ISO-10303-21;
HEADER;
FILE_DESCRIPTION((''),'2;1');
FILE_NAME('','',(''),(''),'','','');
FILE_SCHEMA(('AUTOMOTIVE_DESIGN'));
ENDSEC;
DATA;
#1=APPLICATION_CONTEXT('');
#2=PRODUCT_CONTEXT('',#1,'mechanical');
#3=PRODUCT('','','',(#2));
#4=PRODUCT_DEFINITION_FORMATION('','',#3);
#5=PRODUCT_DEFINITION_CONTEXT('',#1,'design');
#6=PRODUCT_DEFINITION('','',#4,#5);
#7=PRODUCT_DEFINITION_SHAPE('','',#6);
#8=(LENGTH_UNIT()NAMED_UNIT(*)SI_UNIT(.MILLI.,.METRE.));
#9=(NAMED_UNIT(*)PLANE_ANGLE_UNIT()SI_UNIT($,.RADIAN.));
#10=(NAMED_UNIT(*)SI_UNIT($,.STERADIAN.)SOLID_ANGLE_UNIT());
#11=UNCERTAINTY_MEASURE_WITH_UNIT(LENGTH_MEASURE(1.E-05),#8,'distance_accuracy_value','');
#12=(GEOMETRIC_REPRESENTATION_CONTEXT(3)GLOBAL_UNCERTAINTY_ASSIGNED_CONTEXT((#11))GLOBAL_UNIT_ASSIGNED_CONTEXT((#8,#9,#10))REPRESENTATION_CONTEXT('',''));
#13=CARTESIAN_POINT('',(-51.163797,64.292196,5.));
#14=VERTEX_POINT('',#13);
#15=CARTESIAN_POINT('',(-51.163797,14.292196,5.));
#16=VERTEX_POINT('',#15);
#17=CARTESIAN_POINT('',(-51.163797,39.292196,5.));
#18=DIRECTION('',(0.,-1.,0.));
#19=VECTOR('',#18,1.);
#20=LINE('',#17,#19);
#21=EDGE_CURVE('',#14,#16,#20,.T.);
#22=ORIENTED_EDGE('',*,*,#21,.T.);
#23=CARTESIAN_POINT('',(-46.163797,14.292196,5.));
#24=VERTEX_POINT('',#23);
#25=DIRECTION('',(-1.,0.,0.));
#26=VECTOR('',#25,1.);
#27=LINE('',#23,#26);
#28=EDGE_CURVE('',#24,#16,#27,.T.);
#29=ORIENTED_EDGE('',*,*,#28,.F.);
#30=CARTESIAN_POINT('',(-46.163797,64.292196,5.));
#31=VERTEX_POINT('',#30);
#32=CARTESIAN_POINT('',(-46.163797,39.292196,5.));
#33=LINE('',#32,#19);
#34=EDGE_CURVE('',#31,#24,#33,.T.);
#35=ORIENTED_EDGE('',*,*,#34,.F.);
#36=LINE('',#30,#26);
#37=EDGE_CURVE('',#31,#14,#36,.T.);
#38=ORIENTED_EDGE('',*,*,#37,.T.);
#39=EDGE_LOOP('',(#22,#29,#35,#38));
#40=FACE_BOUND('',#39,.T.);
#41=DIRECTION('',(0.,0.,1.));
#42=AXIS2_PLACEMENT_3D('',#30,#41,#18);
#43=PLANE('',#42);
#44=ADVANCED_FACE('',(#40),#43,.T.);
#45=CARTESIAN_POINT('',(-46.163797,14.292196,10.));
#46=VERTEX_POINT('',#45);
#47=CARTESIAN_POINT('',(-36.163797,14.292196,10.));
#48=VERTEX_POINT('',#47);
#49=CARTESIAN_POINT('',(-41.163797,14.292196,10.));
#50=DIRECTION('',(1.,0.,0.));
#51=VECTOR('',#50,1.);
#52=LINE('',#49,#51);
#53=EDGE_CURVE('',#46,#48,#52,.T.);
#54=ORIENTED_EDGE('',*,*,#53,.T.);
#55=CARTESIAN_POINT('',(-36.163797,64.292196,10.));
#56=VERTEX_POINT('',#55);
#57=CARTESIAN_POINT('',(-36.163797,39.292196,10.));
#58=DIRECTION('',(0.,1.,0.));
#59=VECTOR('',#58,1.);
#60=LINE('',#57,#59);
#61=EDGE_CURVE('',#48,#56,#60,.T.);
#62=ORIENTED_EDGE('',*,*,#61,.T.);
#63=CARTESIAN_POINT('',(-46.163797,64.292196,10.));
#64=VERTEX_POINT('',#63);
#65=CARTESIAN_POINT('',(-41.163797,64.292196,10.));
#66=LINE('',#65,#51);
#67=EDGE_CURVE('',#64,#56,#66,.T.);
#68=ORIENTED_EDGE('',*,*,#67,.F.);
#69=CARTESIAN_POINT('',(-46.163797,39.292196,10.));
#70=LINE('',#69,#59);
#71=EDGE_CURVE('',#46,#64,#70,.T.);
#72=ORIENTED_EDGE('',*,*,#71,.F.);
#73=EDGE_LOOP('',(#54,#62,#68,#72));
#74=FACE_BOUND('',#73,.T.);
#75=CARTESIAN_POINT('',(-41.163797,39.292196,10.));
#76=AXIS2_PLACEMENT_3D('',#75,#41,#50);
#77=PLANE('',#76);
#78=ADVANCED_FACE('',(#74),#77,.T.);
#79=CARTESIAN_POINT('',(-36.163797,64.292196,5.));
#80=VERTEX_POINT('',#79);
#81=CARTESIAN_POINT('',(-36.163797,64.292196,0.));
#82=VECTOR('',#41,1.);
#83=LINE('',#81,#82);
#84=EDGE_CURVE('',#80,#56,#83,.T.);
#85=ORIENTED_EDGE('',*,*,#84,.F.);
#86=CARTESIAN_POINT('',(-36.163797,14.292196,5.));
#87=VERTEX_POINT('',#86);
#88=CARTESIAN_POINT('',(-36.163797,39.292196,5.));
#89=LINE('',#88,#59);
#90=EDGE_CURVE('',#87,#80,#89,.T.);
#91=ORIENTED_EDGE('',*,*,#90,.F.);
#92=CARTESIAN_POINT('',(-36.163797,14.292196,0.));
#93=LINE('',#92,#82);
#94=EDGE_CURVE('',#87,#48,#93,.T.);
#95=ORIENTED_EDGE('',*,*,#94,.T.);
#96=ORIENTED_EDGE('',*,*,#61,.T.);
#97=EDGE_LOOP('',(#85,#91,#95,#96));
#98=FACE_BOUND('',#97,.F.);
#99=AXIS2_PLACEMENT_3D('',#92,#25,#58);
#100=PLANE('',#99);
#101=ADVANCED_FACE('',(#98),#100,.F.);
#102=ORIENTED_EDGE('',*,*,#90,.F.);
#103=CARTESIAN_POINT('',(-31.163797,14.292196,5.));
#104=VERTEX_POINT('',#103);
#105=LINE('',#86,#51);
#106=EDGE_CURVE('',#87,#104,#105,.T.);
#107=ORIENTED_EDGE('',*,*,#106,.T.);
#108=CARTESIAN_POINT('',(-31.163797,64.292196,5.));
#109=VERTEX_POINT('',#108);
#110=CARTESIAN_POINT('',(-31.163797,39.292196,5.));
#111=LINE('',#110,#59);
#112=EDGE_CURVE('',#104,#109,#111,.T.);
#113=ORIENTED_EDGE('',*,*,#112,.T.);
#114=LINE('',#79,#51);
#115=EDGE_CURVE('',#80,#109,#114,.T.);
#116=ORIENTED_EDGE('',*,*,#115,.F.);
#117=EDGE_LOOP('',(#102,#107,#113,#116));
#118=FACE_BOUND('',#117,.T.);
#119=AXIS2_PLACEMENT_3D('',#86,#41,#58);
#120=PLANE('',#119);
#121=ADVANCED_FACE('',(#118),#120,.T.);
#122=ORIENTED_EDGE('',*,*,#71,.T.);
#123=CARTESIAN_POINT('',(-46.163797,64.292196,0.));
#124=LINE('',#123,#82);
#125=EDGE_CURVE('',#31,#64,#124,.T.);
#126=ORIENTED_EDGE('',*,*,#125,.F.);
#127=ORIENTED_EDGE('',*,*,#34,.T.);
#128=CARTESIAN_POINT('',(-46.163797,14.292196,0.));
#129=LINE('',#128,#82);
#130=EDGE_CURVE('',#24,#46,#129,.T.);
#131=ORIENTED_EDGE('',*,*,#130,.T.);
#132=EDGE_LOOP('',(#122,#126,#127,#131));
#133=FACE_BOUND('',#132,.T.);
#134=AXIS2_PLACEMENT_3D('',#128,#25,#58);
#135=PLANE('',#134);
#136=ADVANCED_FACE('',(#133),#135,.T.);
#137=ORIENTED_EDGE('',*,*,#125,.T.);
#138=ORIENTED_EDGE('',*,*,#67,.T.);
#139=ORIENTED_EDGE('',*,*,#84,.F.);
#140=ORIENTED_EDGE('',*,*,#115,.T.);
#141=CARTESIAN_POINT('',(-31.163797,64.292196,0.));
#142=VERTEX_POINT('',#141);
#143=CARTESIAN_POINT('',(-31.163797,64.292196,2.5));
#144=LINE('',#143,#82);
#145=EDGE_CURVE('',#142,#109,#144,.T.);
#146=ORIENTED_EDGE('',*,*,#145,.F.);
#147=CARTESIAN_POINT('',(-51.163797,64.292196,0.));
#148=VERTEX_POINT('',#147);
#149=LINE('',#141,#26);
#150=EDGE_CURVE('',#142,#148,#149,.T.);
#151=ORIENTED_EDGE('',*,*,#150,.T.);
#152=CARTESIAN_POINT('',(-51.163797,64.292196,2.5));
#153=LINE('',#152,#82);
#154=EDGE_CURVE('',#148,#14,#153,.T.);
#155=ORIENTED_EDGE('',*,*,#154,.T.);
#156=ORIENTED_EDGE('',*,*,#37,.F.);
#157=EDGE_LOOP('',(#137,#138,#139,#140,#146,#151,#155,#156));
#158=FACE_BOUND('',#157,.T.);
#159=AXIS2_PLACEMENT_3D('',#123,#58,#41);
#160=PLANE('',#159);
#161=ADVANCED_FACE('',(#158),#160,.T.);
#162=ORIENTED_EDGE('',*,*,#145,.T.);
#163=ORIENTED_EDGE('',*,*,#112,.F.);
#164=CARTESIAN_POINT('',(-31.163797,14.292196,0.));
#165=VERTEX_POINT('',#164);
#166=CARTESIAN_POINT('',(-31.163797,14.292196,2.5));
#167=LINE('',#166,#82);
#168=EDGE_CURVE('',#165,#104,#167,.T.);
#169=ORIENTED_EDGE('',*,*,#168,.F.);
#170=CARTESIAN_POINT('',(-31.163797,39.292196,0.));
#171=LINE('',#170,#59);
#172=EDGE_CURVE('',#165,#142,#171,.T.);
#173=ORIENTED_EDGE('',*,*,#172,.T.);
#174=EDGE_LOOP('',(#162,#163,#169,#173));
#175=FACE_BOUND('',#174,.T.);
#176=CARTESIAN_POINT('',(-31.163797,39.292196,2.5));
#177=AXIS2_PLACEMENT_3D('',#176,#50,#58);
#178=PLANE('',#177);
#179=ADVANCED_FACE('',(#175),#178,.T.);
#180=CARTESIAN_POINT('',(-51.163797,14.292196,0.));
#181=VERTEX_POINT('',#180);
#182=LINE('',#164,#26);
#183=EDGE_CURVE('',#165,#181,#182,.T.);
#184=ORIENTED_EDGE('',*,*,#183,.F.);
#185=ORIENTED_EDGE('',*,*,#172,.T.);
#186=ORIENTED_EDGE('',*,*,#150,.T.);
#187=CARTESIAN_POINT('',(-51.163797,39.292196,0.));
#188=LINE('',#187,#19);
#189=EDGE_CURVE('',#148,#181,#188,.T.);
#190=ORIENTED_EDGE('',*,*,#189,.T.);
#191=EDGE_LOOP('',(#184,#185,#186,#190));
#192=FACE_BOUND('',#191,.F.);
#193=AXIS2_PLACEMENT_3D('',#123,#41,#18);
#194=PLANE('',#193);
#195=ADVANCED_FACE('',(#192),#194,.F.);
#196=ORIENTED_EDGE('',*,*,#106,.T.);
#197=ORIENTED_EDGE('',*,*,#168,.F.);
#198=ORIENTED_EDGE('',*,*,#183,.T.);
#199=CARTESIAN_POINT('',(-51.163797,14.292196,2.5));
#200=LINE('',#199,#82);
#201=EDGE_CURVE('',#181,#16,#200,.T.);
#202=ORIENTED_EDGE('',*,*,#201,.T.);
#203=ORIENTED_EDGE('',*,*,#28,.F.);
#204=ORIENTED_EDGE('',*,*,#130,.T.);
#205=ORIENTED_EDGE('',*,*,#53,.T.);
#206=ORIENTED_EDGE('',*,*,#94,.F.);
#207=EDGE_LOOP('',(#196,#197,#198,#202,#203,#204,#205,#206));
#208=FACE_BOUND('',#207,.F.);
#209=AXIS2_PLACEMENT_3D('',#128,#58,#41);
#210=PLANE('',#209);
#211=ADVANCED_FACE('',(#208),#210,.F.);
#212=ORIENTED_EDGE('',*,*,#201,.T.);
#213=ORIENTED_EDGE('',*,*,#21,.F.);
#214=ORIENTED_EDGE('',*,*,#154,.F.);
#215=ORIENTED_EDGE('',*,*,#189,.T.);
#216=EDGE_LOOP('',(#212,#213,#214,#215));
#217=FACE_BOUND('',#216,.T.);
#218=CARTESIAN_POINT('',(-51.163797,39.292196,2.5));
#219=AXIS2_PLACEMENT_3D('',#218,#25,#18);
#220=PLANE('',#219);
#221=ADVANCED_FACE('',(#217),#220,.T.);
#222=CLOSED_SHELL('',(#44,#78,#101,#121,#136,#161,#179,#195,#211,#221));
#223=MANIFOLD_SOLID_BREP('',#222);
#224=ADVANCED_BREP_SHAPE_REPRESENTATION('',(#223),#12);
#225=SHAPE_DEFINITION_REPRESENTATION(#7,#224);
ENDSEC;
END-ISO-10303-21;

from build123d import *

# Parameters (mm, degrees)
F0_W     = 10
F0_H     = 50
F1_DEPTH = 10
F2_W     = 50
F2_H     = 5
F3_DEPTH = 5
F4_W     = 50
F4_H     = 5
F5_DEPTH = 5


with BuildPart() as f1:
    # F0 (on Top) → F1 (new body)
    with BuildSketch(Plane.XY):
        with Locations((-41.163797, 39.292196)):
            Rectangle(F0_W, F0_H)
    extrude(amount=F1_DEPTH)

    # F2 (on face) → F3 (join)
    with BuildSketch(Plane.YZ.offset(-36.163797)):
        with Locations((39.292196, 2.5)):
            Rectangle(F2_W, F2_H)
    extrude(amount=F3_DEPTH)

    # F4 (on face) → F5 (join)
    with BuildSketch(Plane(origin=(-46.163797, 0, 0), x_dir=(0, -1, 0), z_dir=(-1, 0, 0))):
        with Locations((-39.292196, 2.5)):
            Rectangle(F4_W, F4_H)
    extrude(amount=F5_DEPTH)


solid = f1.part
